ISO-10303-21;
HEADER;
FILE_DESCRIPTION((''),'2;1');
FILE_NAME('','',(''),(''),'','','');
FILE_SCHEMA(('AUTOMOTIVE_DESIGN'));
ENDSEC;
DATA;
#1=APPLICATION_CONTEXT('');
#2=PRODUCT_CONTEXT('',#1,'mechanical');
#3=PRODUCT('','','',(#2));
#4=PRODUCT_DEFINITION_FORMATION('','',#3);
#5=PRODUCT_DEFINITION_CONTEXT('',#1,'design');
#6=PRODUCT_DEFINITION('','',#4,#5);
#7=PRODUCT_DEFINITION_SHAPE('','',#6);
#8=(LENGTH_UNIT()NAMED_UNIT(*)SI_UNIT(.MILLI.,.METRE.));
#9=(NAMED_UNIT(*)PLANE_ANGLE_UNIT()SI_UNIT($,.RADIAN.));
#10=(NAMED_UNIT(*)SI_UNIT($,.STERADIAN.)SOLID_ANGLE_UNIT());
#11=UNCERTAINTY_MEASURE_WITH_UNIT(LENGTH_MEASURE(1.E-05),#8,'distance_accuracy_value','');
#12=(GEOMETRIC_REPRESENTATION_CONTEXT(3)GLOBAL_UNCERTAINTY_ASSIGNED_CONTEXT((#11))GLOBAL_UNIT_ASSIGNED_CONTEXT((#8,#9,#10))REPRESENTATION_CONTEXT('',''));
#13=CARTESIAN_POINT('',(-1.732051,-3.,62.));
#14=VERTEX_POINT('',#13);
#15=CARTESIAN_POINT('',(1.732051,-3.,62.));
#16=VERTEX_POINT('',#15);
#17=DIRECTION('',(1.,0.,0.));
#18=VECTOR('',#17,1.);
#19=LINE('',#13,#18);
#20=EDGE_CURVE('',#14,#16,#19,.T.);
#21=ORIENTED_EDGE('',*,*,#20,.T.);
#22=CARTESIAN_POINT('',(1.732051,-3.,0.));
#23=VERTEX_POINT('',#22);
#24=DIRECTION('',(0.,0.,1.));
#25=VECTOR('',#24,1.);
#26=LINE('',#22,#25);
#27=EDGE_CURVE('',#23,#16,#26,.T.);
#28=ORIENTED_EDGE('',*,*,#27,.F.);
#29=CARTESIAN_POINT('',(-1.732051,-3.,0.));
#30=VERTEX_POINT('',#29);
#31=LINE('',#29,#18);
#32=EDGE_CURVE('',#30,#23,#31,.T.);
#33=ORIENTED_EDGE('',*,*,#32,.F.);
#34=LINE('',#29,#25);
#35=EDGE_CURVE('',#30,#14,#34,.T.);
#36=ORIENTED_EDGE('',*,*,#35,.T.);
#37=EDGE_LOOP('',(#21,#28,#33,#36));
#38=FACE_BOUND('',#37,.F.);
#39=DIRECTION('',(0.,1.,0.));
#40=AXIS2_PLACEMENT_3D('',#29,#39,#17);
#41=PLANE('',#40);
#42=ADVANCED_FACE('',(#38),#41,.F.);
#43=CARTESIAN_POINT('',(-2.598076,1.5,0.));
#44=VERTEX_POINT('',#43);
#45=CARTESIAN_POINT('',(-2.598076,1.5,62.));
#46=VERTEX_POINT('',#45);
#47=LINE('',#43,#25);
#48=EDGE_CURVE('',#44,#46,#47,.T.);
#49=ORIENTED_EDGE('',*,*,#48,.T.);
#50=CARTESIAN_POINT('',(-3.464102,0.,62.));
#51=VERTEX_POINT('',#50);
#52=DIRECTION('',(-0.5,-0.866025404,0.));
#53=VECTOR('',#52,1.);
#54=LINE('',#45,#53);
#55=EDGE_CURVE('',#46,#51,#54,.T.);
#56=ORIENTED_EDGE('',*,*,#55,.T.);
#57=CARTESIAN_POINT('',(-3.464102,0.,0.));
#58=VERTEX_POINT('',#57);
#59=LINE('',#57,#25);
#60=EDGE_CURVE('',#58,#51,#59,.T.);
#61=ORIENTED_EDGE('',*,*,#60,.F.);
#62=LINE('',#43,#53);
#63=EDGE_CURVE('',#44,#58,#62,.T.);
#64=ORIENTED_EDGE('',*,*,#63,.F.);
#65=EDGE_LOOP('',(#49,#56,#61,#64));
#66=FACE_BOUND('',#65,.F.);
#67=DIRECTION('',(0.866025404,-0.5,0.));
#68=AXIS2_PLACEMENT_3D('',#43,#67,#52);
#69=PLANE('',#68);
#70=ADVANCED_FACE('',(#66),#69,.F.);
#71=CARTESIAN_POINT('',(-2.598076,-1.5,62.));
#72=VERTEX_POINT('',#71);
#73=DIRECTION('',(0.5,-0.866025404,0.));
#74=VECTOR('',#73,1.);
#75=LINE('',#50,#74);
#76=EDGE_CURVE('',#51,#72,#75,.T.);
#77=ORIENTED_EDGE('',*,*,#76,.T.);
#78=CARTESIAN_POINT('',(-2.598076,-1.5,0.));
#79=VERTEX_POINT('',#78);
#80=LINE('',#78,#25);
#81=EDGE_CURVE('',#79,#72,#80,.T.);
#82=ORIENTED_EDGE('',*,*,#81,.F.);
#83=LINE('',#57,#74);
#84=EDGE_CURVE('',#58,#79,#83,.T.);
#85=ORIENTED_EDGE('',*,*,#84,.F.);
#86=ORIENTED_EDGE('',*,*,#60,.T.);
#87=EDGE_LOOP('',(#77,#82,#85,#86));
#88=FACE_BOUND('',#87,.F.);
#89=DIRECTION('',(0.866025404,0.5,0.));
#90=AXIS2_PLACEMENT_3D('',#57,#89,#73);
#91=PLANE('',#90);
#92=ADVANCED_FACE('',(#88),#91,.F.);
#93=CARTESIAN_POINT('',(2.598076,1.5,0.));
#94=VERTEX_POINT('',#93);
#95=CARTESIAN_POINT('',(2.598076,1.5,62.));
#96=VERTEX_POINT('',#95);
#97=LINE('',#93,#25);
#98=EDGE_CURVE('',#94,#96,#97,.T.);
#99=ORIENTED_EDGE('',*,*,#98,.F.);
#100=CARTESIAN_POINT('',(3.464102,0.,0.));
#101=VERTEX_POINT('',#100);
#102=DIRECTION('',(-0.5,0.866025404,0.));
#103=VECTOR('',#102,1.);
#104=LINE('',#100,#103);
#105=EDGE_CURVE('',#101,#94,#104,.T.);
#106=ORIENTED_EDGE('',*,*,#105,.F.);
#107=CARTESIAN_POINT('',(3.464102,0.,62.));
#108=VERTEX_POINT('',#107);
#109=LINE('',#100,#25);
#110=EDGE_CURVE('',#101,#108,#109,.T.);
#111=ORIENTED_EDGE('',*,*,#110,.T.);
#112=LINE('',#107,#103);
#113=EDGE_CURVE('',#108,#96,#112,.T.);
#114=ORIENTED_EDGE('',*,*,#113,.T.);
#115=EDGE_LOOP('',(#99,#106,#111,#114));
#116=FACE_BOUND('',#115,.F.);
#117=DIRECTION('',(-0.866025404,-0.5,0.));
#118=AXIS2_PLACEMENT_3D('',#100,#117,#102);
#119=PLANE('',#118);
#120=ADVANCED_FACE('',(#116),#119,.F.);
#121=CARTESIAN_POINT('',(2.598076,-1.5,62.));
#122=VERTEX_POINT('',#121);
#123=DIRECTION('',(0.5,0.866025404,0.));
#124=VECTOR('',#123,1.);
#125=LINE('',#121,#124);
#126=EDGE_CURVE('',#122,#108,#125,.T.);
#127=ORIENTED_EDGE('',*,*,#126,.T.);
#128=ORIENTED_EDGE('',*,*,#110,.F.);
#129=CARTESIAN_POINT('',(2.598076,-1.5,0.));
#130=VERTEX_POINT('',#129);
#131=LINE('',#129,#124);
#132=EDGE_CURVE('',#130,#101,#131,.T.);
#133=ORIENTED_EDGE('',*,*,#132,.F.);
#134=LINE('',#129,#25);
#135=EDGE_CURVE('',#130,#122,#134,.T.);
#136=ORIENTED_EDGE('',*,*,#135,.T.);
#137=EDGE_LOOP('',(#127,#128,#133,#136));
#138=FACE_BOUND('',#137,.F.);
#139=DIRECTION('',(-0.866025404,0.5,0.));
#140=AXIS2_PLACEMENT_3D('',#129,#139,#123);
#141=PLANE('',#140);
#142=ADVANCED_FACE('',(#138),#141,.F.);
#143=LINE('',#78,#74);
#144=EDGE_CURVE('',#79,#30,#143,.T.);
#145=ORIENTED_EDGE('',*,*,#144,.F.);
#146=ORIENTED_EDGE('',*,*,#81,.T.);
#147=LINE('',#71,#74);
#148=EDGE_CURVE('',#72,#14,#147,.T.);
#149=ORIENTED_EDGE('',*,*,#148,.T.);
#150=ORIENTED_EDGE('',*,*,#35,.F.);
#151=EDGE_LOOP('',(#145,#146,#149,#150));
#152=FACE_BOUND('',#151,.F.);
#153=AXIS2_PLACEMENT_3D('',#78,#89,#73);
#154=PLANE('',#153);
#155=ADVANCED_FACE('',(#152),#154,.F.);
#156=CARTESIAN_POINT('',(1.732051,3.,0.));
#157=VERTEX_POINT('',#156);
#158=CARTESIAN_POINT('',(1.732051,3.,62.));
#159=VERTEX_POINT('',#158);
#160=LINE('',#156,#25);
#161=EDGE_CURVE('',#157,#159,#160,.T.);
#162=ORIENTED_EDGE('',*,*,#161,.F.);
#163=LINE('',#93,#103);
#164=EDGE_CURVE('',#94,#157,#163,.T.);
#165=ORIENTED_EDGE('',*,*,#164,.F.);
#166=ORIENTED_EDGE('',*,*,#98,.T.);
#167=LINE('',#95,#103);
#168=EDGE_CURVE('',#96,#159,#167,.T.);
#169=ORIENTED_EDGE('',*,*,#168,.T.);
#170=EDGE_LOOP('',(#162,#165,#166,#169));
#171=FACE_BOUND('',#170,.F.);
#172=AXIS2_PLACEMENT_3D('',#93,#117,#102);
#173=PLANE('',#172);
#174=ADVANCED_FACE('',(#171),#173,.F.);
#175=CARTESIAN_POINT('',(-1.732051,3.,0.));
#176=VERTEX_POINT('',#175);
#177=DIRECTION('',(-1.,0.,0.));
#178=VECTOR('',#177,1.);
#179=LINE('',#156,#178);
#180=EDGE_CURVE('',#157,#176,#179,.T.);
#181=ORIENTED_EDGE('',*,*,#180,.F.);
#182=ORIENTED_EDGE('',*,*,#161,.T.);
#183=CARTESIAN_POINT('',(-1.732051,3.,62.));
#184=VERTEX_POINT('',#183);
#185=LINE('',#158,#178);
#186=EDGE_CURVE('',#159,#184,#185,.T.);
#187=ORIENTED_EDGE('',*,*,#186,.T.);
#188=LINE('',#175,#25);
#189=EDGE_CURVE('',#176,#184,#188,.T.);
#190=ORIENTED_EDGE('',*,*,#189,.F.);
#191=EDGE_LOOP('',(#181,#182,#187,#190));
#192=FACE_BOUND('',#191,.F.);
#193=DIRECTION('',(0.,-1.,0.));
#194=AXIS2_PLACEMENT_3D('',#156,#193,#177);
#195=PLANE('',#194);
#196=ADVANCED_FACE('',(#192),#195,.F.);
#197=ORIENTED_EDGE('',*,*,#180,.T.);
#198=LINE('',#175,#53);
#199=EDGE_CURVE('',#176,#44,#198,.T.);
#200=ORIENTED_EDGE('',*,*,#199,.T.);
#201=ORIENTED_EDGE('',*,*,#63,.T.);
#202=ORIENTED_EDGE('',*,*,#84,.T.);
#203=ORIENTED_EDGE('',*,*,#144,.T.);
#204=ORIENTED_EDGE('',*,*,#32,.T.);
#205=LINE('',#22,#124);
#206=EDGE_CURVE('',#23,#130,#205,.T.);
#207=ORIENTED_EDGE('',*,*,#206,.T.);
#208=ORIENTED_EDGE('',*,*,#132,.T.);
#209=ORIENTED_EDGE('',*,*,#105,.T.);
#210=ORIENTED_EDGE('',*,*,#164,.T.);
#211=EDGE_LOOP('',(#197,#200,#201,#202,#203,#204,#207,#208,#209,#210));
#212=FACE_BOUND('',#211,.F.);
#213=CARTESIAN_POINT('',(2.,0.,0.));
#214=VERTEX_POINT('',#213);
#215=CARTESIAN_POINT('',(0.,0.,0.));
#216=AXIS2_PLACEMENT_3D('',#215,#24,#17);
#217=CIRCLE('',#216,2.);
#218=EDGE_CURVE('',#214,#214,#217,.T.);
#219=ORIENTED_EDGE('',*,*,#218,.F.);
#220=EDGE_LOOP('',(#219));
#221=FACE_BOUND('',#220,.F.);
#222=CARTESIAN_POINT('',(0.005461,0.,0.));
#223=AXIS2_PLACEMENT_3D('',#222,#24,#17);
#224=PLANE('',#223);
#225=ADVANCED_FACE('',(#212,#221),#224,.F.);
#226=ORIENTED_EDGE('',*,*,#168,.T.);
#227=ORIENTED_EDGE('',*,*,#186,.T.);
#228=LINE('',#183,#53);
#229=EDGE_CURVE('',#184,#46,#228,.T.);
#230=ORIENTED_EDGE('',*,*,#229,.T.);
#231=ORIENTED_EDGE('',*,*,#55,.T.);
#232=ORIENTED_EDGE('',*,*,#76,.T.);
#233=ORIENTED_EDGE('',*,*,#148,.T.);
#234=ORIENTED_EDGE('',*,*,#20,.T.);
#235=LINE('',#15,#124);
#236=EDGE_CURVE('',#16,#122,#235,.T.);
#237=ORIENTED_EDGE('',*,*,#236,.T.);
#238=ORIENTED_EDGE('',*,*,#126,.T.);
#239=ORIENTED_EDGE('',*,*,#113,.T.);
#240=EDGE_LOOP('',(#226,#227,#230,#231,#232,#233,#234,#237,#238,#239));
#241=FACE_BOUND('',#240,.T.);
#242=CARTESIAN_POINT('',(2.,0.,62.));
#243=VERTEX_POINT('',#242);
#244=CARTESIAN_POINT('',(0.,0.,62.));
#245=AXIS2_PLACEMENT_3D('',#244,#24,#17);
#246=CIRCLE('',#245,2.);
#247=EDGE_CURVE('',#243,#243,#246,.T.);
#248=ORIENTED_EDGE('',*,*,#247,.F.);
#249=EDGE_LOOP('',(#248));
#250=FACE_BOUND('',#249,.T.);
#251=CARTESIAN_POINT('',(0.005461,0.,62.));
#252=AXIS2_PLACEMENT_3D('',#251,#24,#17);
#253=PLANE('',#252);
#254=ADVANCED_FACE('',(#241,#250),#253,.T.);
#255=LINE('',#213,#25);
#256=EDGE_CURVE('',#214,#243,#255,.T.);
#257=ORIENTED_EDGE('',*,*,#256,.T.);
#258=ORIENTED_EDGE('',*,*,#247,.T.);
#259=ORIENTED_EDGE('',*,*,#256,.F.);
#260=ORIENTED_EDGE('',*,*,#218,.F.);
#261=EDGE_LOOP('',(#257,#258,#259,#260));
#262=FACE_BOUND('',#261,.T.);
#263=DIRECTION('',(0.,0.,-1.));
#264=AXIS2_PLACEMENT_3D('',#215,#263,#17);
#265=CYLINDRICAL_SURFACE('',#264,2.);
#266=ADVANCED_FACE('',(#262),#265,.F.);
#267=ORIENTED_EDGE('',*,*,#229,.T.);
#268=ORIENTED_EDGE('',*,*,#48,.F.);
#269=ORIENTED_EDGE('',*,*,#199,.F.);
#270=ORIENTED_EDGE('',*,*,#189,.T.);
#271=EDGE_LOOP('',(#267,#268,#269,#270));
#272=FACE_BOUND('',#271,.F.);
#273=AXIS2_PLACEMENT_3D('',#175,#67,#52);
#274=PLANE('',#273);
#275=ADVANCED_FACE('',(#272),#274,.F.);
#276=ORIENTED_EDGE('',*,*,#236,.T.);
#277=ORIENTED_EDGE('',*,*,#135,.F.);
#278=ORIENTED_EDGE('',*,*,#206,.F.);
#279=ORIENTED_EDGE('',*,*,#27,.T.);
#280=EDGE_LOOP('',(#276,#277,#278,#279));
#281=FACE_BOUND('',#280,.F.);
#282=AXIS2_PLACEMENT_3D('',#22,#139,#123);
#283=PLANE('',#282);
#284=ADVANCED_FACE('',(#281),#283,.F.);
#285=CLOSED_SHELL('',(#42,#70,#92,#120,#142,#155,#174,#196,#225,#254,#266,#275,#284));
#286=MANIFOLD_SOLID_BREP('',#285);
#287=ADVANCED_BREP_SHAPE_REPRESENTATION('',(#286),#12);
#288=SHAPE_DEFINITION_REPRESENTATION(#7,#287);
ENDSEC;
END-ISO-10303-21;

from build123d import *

# Parameters (mm, degrees)
F0_R     = 2
F1_DEPTH = 62


with BuildPart() as f1:
    # F0 (on Top) → F1 (new body)
    with BuildSketch(Plane.XY):
        with BuildLine():
            ThreePointArc((2.5980762129, -1.4999999973), (2.8977774793, -0.7764571338), (3, 0))
            ThreePointArc((3, 0), (2.8977774854, 0.776457111), (2.5980762365, 1.4999999564))
            ThreePointArc((2.5980762365, 1.4999999564), (1.5000000218, 2.5980761988), (0, 3))
            ThreePointArc((0, 3), (-1.5000000218, 2.5980761988), (-2.5980762365, 1.4999999564))
            ThreePointArc((-2.5980762365, 1.4999999564), (-3, -6.18e-08), (-2.5980761747, -1.5000000635))
            ThreePointArc((-2.5980761747, -1.5000000635), (-1.4999999683, -2.5980762297), (0, -3))
            ThreePointArc((0, -3), (1.5000000014, -2.5980762106), (2.5980762129, -1.4999999973))
        make_face()
        Circle(F0_R, mode=Mode.SUBTRACT)
        with BuildLine():
            ThreePointArc((2.5980762365, 1.4999999564), (2.8977774854, 0.776457111), (3, 0))
            ThreePointArc((3, 0), (2.8977774793, -0.7764571338), (2.5980762129, -1.4999999973))
            Line((2.5980762129, -1.4999999973), (3.4641016151, 0))
            Line((3.4641016151, 0), (2.5980762365, 1.4999999564))
        make_face()
        with BuildLine():
            ThreePointArc((0, 3), (1.5000000218, 2.5980761988), (2.5980762365, 1.4999999564))
            Line((2.5980762365, 1.4999999564), (1.7320508076, 3))
            Line((1.7320508076, 3), (0, 3))
        make_face()
        with BuildLine():
            Line((1.7320508076, -3), (2.5980762129, -1.4999999973))
            ThreePointArc((2.5980762129, -1.4999999973), (1.5000000014, -2.5980762106), (0, -3))
            Line((0, -3), (1.7320508076, -3))
        make_face()
        with BuildLine():
            ThreePointArc((-2.5980762365, 1.4999999564), (-1.5000000218, 2.5980761988), (0, 3))
            Line((0, 3), (-1.7320508076, 3))
            Line((-1.7320508076, 3), (-2.5980762365, 1.4999999564))
        make_face()
        with BuildLine():
            Line((-1.7320508076, -3), (0, -3))
            ThreePointArc((0, -3), (-1.4999999683, -2.5980762297), (-2.5980761747, -1.5000000635))
            Line((-2.5980761747, -1.5000000635), (-1.7320508076, -3))
        make_face()
        with BuildLine():
            ThreePointArc((-2.5980761747, -1.5000000635), (-3, -6.18e-08), (-2.5980762365, 1.4999999564))
            Line((-2.5980762365, 1.4999999564), (-3.4641016151, 0))
            Line((-3.4641016151, 0), (-2.5980761747, -1.5000000635))
        make_face()
    extrude(amount=F1_DEPTH)


solid = f1.part
